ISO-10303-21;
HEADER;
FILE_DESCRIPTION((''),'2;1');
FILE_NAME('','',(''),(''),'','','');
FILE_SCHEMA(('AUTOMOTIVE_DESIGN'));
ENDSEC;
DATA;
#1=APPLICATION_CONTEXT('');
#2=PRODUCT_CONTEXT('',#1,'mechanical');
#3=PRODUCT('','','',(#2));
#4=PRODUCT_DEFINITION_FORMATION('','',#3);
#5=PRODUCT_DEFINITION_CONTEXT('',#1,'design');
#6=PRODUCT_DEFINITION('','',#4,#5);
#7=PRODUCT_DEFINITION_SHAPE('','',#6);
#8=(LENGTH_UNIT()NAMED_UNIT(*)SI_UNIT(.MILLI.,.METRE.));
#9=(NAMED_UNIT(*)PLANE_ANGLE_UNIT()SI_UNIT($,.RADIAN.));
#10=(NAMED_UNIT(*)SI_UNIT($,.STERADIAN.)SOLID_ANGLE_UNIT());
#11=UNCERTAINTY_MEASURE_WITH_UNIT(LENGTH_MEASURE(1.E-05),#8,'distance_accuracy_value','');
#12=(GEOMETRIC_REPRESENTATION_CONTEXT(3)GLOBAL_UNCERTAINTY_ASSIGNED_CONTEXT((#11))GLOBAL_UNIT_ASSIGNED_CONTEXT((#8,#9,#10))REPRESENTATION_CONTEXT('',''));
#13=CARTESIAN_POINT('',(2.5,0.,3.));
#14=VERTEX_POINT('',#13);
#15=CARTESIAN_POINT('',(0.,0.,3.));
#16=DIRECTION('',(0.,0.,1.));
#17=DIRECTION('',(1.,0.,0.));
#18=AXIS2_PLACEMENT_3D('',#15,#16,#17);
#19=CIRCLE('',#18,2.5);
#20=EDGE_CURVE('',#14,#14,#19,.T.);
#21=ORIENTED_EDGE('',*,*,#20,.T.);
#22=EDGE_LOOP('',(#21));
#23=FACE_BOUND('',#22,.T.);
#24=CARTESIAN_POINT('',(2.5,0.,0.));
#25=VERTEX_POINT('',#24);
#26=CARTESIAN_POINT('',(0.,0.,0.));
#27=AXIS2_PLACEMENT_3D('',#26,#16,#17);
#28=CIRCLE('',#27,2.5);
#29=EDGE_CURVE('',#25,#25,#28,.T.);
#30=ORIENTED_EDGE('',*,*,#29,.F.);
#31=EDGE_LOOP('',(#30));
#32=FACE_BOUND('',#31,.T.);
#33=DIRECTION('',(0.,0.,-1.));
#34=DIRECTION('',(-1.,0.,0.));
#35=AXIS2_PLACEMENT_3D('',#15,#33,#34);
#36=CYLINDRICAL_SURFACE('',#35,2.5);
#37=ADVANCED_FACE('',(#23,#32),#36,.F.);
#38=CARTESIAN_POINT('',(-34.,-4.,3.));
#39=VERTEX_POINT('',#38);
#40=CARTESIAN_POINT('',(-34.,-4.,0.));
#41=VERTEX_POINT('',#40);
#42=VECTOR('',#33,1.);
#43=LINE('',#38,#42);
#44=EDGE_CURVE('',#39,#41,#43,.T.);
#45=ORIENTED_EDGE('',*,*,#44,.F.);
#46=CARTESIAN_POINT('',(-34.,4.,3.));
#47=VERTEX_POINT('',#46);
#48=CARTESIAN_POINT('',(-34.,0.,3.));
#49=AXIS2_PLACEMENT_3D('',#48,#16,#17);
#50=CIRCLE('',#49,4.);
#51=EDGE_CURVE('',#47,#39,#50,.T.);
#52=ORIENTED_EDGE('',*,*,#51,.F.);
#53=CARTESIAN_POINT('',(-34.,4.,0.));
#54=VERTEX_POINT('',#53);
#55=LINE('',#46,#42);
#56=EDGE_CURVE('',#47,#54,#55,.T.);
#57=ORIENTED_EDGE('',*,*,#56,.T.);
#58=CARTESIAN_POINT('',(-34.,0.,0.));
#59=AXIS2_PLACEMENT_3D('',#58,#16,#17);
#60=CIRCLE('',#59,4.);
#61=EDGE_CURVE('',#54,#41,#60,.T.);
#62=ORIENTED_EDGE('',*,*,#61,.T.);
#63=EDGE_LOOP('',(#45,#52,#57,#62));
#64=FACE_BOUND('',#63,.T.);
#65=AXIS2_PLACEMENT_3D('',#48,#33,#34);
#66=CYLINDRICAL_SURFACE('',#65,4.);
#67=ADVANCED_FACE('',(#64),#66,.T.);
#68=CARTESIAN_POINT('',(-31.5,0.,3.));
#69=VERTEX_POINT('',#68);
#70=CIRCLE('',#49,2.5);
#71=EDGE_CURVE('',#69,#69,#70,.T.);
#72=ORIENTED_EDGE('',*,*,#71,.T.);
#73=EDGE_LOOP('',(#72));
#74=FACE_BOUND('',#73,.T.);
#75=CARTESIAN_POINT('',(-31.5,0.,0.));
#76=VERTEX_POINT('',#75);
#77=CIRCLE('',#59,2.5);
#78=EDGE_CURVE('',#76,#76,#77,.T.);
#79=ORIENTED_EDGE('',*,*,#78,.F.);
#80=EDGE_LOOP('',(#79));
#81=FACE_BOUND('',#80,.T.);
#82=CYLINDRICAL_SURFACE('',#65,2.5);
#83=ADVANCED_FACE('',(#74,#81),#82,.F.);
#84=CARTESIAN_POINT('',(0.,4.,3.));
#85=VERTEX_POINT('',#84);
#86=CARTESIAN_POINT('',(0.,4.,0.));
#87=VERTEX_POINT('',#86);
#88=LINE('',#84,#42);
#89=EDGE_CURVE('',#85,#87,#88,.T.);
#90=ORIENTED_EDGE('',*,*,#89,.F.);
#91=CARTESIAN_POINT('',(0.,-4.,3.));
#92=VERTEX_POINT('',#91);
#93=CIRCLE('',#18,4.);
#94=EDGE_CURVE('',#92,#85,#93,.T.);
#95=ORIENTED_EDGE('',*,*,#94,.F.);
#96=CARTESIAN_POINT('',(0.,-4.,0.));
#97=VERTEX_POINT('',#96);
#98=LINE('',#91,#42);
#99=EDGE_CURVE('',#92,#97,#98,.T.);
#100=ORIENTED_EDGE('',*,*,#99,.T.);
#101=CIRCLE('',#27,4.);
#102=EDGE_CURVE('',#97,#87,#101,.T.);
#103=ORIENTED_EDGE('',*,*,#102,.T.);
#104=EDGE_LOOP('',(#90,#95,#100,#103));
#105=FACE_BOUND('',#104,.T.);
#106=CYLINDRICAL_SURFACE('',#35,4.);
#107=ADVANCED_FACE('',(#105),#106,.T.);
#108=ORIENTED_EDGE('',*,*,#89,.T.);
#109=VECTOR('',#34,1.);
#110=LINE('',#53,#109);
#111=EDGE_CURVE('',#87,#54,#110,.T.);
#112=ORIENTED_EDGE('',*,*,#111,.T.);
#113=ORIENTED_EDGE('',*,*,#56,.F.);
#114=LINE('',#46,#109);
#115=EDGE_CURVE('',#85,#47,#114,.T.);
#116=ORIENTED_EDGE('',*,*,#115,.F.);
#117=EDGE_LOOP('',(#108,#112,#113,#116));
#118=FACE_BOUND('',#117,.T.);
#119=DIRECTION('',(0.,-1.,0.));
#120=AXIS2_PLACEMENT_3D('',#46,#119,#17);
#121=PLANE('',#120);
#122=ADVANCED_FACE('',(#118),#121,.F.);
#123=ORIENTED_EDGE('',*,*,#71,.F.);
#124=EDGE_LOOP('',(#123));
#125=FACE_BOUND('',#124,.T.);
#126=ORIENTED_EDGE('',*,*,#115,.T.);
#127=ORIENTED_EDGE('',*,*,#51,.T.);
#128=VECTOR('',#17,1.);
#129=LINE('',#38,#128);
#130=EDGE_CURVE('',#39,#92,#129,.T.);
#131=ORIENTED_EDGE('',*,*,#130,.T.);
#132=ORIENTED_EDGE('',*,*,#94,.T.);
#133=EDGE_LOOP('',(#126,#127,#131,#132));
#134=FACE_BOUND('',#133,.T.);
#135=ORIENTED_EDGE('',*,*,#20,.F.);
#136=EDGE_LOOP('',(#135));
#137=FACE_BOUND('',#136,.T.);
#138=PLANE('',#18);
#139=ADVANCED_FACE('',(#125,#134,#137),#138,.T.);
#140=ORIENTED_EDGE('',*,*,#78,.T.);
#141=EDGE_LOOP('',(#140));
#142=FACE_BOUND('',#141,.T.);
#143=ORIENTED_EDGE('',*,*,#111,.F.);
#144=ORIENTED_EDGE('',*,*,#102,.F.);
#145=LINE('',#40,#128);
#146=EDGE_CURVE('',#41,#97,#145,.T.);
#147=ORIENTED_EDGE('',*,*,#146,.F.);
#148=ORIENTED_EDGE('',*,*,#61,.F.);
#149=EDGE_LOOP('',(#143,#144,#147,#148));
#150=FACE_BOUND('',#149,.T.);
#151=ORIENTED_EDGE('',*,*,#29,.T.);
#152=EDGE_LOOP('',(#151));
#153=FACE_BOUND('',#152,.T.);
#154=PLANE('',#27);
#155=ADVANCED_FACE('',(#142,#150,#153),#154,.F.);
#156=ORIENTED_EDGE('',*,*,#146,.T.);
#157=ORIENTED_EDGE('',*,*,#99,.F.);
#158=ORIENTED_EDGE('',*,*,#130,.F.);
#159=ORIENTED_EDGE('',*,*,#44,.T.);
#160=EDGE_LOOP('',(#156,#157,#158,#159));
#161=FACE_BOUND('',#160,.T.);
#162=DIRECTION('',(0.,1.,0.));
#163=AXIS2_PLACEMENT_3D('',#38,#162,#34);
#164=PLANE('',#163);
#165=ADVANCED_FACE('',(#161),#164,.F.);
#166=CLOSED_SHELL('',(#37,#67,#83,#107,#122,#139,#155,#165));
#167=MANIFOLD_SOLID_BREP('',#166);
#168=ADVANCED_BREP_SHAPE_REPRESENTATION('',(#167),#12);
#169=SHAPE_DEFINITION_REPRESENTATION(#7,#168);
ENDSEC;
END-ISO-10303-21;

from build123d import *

# Parameters (mm, degrees)
SKETCH2_R           = 2.5
BOSS_EXTRUDE1_DEPTH = 3


with BuildPart() as part:
    # Sketch2 → Boss-Extrude1 (new body)
    with BuildSketch(Plane.XY):
        with BuildLine():
            Line((-34, 4), (0, 4))
            ThreePointArc((0, 4), (4, 0), (0, -4))
            Line((0, -4), (-34, -4))
            ThreePointArc((-34, -4), (-38, 0), (-34, 4))
        make_face()
        with Locations((-34, 0)):
            Circle(SKETCH2_R, mode=Mode.SUBTRACT)
        Circle(SKETCH2_R, mode=Mode.SUBTRACT)
    extrude(amount=BOSS_EXTRUDE1_DEPTH)


solid = part.part
